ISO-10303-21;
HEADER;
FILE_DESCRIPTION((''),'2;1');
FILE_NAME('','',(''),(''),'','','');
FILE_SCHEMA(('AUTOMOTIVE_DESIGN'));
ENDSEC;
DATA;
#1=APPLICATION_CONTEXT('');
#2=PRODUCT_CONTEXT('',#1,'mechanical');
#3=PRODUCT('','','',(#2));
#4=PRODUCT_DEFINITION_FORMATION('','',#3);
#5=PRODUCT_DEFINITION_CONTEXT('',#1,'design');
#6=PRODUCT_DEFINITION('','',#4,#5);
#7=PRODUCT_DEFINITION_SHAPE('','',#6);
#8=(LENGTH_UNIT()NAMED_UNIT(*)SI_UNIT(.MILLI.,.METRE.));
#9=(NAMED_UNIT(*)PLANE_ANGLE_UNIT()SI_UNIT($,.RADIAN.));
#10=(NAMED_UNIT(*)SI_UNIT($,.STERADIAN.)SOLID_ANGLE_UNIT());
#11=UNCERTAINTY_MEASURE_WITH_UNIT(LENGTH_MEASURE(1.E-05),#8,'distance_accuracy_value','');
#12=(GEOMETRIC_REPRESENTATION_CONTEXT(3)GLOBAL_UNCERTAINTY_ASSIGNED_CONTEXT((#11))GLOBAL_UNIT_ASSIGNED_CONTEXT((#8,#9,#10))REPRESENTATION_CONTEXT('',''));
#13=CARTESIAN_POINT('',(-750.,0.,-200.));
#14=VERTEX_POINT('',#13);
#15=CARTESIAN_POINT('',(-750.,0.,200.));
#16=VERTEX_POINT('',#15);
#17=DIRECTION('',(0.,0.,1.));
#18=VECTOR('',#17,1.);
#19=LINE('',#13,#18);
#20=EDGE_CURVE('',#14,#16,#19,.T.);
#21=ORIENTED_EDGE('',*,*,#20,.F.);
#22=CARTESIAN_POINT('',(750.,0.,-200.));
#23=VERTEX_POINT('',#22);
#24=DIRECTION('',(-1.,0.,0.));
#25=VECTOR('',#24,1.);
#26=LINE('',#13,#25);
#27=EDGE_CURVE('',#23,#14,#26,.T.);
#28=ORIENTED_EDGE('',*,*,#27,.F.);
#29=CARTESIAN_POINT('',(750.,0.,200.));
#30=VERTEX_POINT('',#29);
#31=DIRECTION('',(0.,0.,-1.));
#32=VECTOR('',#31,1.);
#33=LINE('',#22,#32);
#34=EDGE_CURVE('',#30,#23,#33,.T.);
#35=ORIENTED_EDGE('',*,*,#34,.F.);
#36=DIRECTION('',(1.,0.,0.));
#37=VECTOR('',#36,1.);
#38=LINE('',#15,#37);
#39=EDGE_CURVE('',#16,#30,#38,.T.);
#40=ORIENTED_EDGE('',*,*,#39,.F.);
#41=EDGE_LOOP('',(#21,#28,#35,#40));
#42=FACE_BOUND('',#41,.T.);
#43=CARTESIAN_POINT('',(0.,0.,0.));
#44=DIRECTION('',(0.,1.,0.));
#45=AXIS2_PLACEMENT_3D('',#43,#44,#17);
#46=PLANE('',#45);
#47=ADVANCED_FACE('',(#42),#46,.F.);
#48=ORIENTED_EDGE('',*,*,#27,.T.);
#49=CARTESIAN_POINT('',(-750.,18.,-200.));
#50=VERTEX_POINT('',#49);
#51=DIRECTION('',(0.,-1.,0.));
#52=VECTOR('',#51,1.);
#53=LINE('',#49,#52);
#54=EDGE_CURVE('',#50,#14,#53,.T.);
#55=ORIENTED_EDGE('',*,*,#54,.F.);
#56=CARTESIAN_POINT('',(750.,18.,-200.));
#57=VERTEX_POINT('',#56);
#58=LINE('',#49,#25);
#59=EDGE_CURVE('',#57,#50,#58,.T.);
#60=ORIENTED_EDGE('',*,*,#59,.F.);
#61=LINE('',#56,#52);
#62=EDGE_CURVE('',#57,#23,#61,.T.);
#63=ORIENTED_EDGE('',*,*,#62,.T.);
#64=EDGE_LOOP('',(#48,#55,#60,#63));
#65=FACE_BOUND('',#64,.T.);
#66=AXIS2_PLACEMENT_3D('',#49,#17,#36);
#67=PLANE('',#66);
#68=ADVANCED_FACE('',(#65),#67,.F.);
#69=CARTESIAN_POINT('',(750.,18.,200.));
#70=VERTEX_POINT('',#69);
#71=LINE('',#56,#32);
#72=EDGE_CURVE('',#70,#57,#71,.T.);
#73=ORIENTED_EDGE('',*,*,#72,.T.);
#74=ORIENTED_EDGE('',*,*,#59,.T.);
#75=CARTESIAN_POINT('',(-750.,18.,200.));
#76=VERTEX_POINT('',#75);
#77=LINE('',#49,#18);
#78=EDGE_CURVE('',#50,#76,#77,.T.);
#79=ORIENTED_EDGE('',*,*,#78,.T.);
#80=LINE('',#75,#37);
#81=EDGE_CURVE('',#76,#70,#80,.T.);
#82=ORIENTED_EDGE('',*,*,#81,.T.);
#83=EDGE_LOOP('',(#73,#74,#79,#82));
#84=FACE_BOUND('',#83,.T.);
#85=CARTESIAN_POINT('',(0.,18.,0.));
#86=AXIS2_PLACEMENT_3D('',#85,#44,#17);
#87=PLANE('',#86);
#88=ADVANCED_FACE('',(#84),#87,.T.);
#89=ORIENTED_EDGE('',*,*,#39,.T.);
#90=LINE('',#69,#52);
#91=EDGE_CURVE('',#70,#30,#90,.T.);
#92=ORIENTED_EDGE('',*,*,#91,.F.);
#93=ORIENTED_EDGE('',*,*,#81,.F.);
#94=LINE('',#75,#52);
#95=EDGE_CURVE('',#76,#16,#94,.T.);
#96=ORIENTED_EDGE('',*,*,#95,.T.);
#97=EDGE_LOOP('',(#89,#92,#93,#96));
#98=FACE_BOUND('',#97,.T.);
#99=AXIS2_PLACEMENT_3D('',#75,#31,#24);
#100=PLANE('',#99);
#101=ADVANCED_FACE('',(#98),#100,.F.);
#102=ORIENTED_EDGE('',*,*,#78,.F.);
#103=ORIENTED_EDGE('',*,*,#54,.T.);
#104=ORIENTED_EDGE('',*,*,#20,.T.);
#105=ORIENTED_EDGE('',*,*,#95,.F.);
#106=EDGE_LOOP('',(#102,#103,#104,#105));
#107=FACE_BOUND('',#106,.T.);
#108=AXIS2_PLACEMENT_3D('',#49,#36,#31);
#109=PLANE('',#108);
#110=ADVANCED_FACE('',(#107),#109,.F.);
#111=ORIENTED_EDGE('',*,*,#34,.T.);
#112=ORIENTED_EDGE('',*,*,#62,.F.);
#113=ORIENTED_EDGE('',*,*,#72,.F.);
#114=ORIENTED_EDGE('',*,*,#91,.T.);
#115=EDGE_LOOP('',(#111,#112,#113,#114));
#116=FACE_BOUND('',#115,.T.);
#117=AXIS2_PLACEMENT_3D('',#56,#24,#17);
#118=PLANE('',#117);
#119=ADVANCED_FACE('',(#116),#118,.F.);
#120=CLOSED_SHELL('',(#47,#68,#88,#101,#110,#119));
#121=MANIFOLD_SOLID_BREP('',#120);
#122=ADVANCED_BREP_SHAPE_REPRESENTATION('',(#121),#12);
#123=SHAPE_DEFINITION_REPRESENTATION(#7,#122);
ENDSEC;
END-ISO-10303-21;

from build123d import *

# Parameters (mm, degrees)
ESQUISSE1_W        = 1500
ESQUISSE1_H        = 400
BOSS_EXTRU_1_DEPTH = 18


with BuildPart() as part:
    # Esquisse1 → Boss.-Extru.1 (new body)
    with BuildSketch(Plane(origin=(0, 0, 0), x_dir=(1, 0, 0), z_dir=(0, 1, 0))):
        Rectangle(ESQUISSE1_W, ESQUISSE1_H)
    extrude(amount=BOSS_EXTRU_1_DEPTH)


solid = part.part
